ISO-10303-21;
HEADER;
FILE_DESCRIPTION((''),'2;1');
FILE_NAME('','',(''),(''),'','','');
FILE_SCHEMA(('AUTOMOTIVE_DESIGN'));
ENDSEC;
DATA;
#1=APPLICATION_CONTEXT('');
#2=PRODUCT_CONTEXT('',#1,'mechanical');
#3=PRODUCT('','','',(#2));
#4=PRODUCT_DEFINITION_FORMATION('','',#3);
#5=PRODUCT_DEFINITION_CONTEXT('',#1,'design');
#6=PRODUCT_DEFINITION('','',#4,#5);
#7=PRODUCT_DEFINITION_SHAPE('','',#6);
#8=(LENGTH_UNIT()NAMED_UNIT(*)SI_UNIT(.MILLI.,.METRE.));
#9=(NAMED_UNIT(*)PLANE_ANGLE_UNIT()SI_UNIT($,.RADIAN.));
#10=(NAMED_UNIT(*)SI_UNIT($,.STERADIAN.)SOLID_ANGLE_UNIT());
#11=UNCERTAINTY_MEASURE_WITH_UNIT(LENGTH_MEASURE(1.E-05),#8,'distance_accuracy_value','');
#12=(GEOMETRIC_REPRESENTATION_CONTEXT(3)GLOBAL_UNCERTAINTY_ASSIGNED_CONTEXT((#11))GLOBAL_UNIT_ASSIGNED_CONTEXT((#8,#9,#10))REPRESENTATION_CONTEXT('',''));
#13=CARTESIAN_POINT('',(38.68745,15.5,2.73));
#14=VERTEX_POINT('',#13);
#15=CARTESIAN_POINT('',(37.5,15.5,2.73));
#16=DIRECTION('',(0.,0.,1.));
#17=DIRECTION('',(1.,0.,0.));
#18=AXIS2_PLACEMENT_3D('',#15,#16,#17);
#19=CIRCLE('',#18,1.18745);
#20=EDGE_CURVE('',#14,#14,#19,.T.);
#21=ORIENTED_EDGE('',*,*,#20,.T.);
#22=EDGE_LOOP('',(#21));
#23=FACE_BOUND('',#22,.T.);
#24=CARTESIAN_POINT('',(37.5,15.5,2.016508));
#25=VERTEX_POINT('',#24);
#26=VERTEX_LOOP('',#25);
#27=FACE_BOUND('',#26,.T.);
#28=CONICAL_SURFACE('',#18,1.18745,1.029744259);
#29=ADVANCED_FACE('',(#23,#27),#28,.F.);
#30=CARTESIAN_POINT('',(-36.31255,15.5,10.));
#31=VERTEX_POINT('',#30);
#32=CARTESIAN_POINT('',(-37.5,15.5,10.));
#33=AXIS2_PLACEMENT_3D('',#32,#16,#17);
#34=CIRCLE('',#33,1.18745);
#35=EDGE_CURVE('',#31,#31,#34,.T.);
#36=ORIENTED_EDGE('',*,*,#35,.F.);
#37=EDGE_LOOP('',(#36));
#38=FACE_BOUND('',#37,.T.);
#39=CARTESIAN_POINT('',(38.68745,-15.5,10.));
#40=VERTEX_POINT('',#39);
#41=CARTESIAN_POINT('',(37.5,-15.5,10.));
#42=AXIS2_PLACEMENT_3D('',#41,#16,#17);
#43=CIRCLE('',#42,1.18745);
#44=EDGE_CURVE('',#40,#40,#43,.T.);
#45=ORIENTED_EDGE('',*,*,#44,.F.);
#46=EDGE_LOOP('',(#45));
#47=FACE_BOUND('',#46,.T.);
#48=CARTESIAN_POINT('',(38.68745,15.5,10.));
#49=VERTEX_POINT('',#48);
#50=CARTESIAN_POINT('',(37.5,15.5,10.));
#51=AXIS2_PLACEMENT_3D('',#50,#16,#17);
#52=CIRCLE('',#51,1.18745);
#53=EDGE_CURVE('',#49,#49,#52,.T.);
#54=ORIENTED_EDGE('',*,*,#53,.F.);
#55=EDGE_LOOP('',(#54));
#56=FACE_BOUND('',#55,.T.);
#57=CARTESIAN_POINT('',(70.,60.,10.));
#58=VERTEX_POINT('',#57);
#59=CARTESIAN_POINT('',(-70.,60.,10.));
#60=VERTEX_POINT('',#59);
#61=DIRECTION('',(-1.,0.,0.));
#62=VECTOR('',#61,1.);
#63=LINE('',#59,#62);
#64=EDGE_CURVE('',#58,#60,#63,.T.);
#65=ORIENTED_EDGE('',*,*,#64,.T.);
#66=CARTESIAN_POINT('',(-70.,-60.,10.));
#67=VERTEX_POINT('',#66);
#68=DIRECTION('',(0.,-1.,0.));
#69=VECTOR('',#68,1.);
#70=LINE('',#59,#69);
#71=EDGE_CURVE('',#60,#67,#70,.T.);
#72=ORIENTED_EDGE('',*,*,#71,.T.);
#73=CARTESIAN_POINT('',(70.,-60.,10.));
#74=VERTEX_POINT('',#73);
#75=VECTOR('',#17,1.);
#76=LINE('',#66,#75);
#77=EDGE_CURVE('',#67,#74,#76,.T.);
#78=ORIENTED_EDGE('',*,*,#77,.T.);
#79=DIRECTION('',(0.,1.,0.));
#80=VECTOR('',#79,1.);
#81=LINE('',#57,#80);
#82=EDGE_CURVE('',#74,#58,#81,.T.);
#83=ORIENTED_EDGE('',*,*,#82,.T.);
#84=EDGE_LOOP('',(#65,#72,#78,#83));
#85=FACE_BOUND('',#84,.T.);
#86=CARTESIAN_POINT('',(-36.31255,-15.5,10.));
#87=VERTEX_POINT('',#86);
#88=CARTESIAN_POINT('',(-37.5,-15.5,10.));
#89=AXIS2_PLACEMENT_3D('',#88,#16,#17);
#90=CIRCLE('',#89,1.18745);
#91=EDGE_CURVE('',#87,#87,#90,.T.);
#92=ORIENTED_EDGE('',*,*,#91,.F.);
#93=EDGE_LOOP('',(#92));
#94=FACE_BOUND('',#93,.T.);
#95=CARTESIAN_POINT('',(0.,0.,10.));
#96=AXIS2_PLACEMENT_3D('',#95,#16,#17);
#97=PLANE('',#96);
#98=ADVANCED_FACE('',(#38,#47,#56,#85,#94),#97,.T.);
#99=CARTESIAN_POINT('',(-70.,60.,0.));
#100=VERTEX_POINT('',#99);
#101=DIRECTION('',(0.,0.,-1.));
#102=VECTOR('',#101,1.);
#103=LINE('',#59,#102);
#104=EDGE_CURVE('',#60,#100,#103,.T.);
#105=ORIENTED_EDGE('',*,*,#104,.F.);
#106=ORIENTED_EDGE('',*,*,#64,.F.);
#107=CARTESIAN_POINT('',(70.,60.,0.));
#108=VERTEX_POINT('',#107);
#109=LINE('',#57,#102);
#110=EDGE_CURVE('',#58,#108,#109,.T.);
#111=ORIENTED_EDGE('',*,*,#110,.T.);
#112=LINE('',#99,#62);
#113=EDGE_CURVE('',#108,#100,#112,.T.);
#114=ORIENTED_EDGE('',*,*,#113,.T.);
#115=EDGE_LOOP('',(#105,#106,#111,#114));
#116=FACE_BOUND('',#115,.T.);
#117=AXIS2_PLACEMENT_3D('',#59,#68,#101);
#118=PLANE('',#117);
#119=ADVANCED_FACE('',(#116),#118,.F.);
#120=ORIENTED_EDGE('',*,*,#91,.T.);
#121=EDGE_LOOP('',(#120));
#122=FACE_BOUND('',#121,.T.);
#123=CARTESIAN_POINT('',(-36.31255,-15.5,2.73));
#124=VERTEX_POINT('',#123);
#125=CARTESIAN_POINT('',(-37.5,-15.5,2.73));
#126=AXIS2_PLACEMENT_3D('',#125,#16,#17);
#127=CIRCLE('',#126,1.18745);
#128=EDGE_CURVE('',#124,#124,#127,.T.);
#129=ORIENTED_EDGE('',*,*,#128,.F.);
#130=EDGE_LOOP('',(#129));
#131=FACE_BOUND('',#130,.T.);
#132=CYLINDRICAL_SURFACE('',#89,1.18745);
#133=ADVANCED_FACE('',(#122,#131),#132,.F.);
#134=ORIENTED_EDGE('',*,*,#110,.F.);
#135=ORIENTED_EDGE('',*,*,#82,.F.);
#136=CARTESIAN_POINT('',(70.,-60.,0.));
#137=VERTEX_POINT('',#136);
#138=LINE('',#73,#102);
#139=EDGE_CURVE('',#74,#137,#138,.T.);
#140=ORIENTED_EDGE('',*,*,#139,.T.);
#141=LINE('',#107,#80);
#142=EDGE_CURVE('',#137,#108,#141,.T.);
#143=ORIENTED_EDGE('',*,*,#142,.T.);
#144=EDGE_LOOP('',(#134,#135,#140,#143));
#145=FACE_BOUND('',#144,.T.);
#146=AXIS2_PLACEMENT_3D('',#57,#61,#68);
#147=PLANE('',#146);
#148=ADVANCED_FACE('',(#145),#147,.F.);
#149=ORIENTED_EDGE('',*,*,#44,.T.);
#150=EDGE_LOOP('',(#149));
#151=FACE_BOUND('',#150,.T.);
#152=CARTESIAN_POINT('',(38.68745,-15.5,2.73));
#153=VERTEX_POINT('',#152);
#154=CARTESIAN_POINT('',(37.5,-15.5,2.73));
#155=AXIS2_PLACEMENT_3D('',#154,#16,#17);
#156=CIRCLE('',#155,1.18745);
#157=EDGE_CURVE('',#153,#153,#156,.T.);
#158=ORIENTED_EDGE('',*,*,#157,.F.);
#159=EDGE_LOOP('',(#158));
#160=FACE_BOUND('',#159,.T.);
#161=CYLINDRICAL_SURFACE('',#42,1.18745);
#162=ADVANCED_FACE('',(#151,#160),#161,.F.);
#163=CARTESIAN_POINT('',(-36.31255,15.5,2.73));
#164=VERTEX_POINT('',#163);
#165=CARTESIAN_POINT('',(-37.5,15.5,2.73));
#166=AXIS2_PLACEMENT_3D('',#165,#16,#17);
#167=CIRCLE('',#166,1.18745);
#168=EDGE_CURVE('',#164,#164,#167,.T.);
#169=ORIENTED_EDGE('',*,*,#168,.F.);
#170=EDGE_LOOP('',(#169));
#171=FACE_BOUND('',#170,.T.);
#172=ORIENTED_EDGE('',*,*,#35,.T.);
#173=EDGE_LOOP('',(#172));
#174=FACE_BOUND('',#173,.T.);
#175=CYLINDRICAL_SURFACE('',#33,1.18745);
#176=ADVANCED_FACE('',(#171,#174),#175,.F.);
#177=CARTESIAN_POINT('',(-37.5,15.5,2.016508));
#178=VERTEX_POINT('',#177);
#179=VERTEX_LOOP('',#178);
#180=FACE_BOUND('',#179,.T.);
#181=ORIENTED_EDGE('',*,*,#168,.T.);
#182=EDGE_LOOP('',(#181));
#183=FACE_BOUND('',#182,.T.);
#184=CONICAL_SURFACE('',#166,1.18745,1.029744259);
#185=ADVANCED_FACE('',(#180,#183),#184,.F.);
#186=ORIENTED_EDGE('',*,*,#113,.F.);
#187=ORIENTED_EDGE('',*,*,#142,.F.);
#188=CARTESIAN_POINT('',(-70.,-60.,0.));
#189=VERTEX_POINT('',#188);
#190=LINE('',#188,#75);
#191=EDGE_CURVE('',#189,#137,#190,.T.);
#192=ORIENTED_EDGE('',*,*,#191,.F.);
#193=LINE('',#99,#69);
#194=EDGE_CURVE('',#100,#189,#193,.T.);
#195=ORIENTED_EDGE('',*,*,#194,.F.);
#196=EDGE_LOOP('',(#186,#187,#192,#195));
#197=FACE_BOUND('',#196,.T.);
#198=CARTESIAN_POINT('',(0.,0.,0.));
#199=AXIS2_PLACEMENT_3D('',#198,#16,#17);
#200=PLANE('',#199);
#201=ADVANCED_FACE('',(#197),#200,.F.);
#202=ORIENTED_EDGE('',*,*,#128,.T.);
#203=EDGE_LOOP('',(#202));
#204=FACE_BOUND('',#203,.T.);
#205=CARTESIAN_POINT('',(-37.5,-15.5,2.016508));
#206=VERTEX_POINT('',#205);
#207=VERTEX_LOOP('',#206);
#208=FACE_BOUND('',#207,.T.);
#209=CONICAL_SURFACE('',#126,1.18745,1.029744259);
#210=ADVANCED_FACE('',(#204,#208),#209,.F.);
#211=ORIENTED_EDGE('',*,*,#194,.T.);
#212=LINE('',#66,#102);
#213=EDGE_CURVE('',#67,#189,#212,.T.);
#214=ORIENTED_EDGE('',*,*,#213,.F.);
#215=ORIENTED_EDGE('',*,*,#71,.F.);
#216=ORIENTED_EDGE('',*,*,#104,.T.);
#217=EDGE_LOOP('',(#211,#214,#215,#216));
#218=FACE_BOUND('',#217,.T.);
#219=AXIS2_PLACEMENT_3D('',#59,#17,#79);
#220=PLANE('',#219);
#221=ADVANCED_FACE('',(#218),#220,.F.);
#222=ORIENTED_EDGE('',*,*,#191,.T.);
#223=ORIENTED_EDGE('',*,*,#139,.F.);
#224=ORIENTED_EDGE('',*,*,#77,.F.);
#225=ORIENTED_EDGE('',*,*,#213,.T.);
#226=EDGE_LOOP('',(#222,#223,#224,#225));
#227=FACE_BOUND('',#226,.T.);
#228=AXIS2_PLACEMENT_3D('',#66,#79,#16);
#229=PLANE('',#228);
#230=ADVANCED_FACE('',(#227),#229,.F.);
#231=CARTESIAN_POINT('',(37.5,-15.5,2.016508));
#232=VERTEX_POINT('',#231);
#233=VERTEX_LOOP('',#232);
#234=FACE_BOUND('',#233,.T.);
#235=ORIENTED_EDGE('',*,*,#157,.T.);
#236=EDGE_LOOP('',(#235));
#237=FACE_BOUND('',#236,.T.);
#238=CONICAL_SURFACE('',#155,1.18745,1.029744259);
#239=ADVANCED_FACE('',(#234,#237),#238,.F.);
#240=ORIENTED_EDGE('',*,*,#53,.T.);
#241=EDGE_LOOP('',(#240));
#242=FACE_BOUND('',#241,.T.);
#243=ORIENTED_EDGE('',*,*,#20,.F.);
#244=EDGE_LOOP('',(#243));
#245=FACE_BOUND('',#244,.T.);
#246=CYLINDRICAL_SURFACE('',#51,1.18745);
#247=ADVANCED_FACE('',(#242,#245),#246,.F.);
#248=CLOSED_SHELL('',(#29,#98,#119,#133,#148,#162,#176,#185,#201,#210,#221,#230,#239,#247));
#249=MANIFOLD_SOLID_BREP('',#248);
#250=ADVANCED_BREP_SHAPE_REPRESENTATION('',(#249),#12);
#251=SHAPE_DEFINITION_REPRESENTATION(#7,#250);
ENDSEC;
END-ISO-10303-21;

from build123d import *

# Parameters (mm, degrees)
SKETCH1_W                 = 140
SKETCH1_H                 = 120
BOSS_EXTRUDE1_DEPTH       = 10
F_4_48_TAPPED_HOLE1_D     = 2.3749
F_4_48_TAPPED_HOLE1_DEPTH = 7.27
F_4_48_TAPPED_HOLE1_TIP   = 0.713491942


with BuildPart() as part:
    # Sketch1 → Boss-Extrude1 (new body)
    with BuildSketch(Plane.XY):
        Rectangle(SKETCH1_W, SKETCH1_H)
    extrude(amount=BOSS_EXTRUDE1_DEPTH)

    # #4-48 Tapped Hole1
    with Locations(Plane.XY.offset(10)):
        with Locations((-37.5, 15.5), (-37.5, -15.5), (37.5, 15.5), (37.5, -15.5)):
            Hole(F_4_48_TAPPED_HOLE1_D / 2, depth=F_4_48_TAPPED_HOLE1_DEPTH)
            with Locations((0, 0, -(F_4_48_TAPPED_HOLE1_DEPTH + F_4_48_TAPPED_HOLE1_TIP / 2))):  # 118° drill point
                Cone(0, F_4_48_TAPPED_HOLE1_D / 2, F_4_48_TAPPED_HOLE1_TIP, mode=Mode.SUBTRACT)


solid = part.part
